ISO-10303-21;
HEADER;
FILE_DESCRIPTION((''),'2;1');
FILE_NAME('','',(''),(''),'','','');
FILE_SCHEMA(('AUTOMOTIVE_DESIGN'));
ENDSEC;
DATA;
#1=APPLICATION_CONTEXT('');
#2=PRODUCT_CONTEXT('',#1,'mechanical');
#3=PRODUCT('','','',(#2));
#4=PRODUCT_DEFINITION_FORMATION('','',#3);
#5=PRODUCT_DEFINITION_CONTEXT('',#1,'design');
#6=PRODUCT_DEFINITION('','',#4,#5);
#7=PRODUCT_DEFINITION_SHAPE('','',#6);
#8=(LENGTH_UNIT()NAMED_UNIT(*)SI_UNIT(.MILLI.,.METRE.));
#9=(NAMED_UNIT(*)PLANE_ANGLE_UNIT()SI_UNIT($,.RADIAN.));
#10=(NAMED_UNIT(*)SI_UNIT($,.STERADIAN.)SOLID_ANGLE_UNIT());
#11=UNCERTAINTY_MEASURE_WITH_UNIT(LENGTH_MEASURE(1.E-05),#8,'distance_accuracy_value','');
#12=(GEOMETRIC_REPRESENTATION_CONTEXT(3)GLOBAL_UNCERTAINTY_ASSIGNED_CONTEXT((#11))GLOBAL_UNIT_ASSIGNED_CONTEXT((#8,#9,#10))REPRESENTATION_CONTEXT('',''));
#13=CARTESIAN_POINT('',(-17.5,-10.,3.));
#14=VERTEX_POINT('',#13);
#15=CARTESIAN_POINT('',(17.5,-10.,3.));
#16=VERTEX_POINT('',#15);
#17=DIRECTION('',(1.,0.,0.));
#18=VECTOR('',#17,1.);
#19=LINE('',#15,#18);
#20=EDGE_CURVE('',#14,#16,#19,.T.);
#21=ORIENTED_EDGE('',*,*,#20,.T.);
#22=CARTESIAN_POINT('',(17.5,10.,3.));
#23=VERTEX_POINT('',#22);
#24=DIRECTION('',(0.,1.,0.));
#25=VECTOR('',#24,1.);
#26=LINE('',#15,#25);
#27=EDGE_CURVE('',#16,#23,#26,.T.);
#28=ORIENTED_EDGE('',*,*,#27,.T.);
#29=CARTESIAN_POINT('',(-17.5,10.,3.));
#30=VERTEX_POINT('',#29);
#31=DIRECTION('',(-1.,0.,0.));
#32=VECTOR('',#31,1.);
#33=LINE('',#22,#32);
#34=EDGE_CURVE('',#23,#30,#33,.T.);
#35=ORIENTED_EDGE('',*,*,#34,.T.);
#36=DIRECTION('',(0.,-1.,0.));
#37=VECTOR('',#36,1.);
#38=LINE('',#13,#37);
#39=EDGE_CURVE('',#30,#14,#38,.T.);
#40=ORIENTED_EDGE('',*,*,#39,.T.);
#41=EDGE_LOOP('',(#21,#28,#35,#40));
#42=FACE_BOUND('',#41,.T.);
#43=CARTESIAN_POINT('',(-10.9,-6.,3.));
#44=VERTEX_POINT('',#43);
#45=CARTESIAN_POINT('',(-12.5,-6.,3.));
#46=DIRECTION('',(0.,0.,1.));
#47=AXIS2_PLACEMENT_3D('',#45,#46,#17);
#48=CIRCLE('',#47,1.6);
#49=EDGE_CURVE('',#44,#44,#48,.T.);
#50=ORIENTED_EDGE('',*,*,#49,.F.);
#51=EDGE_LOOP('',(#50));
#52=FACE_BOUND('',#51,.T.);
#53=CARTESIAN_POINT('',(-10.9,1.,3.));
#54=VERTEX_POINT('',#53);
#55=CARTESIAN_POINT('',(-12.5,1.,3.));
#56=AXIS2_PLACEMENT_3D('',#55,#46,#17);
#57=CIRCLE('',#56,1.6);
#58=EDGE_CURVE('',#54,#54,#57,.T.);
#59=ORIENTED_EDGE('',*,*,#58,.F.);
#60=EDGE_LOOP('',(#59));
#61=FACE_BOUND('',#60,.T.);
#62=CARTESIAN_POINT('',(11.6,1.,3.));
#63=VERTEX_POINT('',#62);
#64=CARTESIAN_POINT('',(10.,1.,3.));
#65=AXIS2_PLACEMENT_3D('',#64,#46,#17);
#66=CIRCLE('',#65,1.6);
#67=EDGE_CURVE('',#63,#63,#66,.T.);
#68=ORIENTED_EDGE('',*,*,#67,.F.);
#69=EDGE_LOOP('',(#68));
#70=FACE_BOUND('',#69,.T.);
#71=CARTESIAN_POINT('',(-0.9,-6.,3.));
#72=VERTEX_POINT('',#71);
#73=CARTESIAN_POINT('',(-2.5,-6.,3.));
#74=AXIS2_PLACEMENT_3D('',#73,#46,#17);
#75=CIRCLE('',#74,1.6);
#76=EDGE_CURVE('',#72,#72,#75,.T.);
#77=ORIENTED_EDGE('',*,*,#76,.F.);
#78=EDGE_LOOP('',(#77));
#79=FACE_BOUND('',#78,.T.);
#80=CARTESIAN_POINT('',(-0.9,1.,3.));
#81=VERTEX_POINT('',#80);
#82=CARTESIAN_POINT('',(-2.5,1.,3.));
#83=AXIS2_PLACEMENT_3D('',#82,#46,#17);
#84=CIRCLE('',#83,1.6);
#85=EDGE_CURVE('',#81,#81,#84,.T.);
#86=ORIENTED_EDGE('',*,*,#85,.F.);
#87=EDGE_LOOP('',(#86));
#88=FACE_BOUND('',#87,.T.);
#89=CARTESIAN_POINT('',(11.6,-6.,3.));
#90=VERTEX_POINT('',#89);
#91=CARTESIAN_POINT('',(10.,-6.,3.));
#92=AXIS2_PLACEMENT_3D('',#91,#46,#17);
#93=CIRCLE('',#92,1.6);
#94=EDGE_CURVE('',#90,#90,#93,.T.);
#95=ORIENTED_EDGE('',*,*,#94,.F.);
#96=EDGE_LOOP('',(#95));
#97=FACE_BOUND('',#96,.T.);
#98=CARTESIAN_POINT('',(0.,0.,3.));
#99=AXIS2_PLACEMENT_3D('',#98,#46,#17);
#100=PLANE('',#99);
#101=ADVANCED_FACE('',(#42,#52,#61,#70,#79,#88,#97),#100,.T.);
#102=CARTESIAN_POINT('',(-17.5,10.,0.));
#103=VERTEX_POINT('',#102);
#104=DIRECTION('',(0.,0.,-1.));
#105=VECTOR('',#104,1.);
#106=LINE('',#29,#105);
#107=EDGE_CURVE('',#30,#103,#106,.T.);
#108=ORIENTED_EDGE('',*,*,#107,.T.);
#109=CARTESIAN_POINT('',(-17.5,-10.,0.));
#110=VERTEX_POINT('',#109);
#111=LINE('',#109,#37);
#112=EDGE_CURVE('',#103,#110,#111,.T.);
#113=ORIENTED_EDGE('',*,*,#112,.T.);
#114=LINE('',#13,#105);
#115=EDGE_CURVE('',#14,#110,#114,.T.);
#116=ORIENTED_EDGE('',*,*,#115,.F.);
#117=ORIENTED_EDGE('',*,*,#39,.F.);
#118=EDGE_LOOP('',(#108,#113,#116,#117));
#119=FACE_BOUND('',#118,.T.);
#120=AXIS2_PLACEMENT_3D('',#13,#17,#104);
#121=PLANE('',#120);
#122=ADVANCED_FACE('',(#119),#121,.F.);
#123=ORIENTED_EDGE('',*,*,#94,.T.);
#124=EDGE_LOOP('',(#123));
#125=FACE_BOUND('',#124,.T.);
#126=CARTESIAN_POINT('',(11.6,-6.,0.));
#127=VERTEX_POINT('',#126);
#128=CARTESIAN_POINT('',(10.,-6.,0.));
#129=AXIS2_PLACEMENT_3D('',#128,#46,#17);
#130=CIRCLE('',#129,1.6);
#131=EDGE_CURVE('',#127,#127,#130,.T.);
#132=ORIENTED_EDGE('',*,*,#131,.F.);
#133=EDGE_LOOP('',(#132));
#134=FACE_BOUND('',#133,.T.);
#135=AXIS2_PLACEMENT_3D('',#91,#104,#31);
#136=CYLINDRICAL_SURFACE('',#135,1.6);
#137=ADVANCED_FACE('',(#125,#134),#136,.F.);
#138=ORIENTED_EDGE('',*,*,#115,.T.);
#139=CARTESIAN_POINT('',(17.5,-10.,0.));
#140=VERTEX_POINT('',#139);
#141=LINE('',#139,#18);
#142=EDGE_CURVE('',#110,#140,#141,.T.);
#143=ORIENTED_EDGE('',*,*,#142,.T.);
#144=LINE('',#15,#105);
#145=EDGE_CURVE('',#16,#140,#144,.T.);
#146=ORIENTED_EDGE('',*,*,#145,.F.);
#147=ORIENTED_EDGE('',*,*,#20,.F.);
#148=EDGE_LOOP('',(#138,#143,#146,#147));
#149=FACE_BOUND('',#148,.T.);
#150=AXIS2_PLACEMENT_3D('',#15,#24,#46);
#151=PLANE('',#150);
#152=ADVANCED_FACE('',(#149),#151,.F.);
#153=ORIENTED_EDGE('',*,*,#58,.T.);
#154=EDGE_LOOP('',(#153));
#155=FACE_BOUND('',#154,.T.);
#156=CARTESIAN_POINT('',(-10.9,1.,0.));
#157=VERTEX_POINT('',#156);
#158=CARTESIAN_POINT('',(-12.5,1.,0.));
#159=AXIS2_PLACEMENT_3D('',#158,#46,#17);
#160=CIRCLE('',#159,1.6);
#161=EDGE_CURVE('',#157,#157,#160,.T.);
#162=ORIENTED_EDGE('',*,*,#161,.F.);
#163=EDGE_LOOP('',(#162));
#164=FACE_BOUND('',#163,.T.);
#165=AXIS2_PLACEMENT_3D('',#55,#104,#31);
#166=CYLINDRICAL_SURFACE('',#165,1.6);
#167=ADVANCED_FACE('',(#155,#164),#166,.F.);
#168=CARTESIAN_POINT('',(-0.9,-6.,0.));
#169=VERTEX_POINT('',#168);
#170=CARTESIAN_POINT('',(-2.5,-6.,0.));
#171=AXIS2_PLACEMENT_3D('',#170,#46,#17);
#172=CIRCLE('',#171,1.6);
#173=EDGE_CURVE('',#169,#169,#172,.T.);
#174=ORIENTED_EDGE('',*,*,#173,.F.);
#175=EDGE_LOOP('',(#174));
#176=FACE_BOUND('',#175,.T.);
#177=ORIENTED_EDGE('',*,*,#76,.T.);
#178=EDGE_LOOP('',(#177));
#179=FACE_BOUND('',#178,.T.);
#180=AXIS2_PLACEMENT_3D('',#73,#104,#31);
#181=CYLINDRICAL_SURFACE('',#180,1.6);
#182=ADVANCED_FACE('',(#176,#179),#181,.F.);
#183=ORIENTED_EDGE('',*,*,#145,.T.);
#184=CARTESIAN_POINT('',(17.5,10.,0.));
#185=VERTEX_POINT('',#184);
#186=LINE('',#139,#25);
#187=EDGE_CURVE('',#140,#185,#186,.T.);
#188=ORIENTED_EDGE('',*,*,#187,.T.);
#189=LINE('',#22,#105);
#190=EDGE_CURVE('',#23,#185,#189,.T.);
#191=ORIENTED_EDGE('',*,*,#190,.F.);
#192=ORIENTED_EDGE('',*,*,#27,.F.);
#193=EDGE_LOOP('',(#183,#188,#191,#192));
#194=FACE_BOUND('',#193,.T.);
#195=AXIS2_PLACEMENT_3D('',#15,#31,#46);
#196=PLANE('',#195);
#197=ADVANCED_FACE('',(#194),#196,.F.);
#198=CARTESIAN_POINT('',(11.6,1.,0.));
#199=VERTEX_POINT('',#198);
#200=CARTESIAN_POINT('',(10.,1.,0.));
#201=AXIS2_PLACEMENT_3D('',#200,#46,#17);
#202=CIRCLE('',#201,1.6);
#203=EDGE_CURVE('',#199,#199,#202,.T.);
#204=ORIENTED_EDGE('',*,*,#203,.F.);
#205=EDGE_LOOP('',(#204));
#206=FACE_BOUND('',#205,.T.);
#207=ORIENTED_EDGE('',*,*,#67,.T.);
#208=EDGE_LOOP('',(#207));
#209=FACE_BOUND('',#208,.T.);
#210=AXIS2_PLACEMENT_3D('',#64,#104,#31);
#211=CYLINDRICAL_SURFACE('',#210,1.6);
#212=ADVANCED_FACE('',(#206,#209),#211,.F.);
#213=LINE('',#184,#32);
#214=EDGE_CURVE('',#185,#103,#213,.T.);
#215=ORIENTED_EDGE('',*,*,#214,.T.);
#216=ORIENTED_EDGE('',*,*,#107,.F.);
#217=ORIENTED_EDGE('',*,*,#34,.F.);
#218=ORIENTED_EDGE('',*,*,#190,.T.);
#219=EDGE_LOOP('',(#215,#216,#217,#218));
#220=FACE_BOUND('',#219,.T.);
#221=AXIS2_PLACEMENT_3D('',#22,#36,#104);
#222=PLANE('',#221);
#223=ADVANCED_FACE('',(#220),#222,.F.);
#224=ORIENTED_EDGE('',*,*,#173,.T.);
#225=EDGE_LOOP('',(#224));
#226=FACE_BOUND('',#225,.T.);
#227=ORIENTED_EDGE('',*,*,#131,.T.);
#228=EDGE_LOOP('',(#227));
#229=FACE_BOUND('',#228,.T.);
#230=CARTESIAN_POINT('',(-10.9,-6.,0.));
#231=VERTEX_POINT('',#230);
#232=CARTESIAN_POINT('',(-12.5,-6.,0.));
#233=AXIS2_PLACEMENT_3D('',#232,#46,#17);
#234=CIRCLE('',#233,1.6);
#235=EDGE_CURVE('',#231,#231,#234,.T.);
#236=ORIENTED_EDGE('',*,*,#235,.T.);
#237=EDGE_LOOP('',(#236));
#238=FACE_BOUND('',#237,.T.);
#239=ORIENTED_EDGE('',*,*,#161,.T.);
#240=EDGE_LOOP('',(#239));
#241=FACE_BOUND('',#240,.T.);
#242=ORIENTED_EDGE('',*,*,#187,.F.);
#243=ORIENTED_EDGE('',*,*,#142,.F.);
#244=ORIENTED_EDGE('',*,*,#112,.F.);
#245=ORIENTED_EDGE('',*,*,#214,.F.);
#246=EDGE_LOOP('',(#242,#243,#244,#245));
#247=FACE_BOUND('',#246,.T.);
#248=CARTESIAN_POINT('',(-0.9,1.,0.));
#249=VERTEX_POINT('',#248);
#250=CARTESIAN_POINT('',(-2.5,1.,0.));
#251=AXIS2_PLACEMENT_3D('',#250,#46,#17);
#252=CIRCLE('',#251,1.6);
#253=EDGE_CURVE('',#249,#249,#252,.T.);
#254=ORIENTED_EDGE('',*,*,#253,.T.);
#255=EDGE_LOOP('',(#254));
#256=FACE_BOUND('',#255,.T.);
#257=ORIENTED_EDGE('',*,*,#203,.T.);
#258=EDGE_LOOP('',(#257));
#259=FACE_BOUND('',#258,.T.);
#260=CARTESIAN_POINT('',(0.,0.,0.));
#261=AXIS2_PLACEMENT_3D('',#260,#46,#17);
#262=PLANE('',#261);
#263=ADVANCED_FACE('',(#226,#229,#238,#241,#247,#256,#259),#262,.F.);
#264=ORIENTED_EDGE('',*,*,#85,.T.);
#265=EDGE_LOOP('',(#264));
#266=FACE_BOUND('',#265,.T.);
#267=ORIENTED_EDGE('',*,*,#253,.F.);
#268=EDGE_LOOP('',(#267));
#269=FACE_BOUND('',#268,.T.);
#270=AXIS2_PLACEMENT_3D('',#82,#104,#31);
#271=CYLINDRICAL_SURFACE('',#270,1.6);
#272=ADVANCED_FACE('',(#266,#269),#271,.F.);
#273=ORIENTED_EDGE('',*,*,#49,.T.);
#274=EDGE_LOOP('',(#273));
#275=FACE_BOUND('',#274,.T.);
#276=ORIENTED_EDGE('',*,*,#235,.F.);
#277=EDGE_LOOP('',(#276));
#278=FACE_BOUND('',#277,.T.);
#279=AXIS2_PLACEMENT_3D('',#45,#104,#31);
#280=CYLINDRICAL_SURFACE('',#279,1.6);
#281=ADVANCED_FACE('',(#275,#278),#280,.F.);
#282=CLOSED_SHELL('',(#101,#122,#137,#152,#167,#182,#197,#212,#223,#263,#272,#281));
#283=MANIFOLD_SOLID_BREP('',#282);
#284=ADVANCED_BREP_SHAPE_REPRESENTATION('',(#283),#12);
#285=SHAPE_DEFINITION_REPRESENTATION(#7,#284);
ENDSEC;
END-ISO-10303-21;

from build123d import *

# Parameters (mm, degrees)
SKETCH_1_W      = 35
SKETCH_1_H      = 20
SKETCH_1_R      = 1.6
EXTRUDE_1_DEPTH = 3


with BuildPart() as part:
    # 草图1 → 凸台-拉伸1 (new body)
    with BuildSketch(Plane.XY):
        Rectangle(SKETCH_1_W, SKETCH_1_H)
        with Locations((-12.5, 1)):
            Circle(SKETCH_1_R, mode=Mode.SUBTRACT)
        with Locations((-12.5, -6)):
            Circle(SKETCH_1_R, mode=Mode.SUBTRACT)
        with Locations((-2.5, 1)):
            Circle(SKETCH_1_R, mode=Mode.SUBTRACT)
        with Locations((-2.5, -6)):
            Circle(SKETCH_1_R, mode=Mode.SUBTRACT)
        with Locations((10, 1)):
            Circle(SKETCH_1_R, mode=Mode.SUBTRACT)
        with Locations((10, -6)):
            Circle(SKETCH_1_R, mode=Mode.SUBTRACT)
    extrude(amount=EXTRUDE_1_DEPTH)


solid = part.part
